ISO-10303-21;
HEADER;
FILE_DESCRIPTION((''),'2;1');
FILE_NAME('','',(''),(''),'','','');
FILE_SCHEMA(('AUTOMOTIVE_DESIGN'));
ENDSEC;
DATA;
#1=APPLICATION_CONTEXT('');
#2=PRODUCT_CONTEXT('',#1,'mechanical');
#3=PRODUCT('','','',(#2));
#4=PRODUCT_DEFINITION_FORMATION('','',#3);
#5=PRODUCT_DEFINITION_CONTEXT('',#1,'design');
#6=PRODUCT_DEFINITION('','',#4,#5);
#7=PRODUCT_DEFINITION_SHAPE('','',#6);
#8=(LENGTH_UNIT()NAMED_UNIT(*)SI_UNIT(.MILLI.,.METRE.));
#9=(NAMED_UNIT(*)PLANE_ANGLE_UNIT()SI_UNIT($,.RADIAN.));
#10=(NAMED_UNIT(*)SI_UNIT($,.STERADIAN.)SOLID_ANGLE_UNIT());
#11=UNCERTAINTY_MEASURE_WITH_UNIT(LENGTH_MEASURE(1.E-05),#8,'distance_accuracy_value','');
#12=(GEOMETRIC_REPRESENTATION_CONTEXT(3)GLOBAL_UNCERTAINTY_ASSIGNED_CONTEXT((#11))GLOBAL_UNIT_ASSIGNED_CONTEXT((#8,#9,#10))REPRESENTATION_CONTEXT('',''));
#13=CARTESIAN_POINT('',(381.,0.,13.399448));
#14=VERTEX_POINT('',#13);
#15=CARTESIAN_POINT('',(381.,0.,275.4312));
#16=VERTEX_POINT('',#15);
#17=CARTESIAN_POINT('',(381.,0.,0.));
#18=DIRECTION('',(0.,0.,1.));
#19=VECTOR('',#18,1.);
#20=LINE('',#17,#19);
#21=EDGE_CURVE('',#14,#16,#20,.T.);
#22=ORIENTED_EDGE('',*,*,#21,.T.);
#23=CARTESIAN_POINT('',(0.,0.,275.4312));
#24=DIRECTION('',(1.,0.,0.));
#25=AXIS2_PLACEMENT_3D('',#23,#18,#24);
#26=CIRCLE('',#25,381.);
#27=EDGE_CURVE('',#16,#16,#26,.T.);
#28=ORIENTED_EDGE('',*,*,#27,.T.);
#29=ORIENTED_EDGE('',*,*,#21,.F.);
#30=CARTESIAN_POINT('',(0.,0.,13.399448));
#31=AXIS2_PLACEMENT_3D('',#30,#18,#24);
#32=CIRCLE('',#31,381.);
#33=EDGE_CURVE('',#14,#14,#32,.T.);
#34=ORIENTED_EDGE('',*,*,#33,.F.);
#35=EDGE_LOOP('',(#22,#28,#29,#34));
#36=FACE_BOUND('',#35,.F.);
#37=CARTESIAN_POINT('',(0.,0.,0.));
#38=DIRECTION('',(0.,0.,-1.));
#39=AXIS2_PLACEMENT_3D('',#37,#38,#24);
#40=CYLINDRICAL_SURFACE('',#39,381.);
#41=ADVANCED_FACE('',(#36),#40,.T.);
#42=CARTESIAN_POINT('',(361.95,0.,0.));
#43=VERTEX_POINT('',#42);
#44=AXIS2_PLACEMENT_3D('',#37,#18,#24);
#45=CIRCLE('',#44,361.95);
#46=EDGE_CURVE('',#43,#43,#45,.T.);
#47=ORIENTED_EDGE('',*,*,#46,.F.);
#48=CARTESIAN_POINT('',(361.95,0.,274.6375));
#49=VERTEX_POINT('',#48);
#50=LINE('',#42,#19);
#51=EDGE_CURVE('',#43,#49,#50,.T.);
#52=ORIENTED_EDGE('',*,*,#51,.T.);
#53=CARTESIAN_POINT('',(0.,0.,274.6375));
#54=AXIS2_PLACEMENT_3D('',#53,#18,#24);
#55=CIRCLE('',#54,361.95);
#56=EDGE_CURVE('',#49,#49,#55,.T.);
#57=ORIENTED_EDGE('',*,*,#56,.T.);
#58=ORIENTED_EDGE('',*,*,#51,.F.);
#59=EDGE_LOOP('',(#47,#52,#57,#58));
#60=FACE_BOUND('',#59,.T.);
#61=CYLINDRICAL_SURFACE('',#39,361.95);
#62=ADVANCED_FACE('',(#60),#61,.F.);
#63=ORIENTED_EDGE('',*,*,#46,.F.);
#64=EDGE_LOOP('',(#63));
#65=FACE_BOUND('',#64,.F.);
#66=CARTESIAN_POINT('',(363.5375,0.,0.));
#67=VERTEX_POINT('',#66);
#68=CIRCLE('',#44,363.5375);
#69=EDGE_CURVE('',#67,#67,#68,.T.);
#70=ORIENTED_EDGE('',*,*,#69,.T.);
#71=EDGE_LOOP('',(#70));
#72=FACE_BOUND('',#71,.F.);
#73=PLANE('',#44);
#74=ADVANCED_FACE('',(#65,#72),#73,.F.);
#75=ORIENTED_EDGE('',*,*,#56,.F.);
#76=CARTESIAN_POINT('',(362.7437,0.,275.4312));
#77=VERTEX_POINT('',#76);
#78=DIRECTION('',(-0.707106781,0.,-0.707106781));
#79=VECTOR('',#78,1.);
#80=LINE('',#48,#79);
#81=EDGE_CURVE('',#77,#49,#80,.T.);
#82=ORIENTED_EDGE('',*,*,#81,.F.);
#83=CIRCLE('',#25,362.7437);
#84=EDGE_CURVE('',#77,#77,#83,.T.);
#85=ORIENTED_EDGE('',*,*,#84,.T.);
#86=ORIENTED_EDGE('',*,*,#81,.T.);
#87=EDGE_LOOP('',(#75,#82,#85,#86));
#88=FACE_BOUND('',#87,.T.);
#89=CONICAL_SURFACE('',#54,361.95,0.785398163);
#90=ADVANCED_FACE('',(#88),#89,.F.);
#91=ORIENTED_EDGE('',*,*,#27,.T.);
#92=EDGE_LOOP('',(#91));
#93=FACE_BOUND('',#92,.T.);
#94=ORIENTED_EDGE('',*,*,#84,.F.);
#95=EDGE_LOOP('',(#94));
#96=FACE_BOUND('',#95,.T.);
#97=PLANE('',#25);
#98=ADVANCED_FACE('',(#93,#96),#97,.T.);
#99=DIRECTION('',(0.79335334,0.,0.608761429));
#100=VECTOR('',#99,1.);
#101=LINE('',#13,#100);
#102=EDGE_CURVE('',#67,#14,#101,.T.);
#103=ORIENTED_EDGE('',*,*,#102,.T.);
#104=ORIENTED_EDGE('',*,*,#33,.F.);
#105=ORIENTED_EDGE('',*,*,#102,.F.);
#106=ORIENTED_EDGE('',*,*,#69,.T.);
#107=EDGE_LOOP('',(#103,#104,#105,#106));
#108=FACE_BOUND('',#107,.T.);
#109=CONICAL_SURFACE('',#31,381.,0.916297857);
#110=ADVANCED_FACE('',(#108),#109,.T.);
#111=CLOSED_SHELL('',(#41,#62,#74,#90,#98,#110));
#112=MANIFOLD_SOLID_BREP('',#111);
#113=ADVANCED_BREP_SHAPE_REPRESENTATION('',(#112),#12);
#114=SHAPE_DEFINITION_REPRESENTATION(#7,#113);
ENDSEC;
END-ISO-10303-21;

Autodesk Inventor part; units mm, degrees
ref_plane "YZ Plane" through (0, 0, 0) normal (1, 0, 0) x (0, 1, 0)
ref_plane "XZ Plane" through (0, 0, 0) normal (0, 1, 0) x (-1, 0, 0)
sketch "Sketch1" plane through (0, 0, 0) normal (0, 0, 1) x (1, 0, 0)
  circle A0 centre (0, 0) radius 381
  circle A1 centre (0, 0) radius 361.95
  dimension "d0" = 762
  dimension "d1" = 723.9
extrude "Extrusion1" add sketch "Sketch1" along normal blind 275.4312
chamfer "Chamfer1" distance 17.4625 angle 37.5 1 edges at (-381, 0, 0) measured on face at (-374.402, -4.4582, 0)
ref_plane "Work Plane2" through (0, 0, 243.6812) normal (0, 0, 1) x (1, 0, 0)
ref_plane "Work Plane1" through (0, 0, 224.6312) normal (0, 0, 1) x (1, 0, 0)
split_face "Split1"
split_face "Split2"
chamfer "Chamfer2" distance 0.7937 angle 45 1 edges at (-361.95, 0, 275.4312)
properties part number "A1-19037-300-03 30in pipe" material "Steel, Mild"
